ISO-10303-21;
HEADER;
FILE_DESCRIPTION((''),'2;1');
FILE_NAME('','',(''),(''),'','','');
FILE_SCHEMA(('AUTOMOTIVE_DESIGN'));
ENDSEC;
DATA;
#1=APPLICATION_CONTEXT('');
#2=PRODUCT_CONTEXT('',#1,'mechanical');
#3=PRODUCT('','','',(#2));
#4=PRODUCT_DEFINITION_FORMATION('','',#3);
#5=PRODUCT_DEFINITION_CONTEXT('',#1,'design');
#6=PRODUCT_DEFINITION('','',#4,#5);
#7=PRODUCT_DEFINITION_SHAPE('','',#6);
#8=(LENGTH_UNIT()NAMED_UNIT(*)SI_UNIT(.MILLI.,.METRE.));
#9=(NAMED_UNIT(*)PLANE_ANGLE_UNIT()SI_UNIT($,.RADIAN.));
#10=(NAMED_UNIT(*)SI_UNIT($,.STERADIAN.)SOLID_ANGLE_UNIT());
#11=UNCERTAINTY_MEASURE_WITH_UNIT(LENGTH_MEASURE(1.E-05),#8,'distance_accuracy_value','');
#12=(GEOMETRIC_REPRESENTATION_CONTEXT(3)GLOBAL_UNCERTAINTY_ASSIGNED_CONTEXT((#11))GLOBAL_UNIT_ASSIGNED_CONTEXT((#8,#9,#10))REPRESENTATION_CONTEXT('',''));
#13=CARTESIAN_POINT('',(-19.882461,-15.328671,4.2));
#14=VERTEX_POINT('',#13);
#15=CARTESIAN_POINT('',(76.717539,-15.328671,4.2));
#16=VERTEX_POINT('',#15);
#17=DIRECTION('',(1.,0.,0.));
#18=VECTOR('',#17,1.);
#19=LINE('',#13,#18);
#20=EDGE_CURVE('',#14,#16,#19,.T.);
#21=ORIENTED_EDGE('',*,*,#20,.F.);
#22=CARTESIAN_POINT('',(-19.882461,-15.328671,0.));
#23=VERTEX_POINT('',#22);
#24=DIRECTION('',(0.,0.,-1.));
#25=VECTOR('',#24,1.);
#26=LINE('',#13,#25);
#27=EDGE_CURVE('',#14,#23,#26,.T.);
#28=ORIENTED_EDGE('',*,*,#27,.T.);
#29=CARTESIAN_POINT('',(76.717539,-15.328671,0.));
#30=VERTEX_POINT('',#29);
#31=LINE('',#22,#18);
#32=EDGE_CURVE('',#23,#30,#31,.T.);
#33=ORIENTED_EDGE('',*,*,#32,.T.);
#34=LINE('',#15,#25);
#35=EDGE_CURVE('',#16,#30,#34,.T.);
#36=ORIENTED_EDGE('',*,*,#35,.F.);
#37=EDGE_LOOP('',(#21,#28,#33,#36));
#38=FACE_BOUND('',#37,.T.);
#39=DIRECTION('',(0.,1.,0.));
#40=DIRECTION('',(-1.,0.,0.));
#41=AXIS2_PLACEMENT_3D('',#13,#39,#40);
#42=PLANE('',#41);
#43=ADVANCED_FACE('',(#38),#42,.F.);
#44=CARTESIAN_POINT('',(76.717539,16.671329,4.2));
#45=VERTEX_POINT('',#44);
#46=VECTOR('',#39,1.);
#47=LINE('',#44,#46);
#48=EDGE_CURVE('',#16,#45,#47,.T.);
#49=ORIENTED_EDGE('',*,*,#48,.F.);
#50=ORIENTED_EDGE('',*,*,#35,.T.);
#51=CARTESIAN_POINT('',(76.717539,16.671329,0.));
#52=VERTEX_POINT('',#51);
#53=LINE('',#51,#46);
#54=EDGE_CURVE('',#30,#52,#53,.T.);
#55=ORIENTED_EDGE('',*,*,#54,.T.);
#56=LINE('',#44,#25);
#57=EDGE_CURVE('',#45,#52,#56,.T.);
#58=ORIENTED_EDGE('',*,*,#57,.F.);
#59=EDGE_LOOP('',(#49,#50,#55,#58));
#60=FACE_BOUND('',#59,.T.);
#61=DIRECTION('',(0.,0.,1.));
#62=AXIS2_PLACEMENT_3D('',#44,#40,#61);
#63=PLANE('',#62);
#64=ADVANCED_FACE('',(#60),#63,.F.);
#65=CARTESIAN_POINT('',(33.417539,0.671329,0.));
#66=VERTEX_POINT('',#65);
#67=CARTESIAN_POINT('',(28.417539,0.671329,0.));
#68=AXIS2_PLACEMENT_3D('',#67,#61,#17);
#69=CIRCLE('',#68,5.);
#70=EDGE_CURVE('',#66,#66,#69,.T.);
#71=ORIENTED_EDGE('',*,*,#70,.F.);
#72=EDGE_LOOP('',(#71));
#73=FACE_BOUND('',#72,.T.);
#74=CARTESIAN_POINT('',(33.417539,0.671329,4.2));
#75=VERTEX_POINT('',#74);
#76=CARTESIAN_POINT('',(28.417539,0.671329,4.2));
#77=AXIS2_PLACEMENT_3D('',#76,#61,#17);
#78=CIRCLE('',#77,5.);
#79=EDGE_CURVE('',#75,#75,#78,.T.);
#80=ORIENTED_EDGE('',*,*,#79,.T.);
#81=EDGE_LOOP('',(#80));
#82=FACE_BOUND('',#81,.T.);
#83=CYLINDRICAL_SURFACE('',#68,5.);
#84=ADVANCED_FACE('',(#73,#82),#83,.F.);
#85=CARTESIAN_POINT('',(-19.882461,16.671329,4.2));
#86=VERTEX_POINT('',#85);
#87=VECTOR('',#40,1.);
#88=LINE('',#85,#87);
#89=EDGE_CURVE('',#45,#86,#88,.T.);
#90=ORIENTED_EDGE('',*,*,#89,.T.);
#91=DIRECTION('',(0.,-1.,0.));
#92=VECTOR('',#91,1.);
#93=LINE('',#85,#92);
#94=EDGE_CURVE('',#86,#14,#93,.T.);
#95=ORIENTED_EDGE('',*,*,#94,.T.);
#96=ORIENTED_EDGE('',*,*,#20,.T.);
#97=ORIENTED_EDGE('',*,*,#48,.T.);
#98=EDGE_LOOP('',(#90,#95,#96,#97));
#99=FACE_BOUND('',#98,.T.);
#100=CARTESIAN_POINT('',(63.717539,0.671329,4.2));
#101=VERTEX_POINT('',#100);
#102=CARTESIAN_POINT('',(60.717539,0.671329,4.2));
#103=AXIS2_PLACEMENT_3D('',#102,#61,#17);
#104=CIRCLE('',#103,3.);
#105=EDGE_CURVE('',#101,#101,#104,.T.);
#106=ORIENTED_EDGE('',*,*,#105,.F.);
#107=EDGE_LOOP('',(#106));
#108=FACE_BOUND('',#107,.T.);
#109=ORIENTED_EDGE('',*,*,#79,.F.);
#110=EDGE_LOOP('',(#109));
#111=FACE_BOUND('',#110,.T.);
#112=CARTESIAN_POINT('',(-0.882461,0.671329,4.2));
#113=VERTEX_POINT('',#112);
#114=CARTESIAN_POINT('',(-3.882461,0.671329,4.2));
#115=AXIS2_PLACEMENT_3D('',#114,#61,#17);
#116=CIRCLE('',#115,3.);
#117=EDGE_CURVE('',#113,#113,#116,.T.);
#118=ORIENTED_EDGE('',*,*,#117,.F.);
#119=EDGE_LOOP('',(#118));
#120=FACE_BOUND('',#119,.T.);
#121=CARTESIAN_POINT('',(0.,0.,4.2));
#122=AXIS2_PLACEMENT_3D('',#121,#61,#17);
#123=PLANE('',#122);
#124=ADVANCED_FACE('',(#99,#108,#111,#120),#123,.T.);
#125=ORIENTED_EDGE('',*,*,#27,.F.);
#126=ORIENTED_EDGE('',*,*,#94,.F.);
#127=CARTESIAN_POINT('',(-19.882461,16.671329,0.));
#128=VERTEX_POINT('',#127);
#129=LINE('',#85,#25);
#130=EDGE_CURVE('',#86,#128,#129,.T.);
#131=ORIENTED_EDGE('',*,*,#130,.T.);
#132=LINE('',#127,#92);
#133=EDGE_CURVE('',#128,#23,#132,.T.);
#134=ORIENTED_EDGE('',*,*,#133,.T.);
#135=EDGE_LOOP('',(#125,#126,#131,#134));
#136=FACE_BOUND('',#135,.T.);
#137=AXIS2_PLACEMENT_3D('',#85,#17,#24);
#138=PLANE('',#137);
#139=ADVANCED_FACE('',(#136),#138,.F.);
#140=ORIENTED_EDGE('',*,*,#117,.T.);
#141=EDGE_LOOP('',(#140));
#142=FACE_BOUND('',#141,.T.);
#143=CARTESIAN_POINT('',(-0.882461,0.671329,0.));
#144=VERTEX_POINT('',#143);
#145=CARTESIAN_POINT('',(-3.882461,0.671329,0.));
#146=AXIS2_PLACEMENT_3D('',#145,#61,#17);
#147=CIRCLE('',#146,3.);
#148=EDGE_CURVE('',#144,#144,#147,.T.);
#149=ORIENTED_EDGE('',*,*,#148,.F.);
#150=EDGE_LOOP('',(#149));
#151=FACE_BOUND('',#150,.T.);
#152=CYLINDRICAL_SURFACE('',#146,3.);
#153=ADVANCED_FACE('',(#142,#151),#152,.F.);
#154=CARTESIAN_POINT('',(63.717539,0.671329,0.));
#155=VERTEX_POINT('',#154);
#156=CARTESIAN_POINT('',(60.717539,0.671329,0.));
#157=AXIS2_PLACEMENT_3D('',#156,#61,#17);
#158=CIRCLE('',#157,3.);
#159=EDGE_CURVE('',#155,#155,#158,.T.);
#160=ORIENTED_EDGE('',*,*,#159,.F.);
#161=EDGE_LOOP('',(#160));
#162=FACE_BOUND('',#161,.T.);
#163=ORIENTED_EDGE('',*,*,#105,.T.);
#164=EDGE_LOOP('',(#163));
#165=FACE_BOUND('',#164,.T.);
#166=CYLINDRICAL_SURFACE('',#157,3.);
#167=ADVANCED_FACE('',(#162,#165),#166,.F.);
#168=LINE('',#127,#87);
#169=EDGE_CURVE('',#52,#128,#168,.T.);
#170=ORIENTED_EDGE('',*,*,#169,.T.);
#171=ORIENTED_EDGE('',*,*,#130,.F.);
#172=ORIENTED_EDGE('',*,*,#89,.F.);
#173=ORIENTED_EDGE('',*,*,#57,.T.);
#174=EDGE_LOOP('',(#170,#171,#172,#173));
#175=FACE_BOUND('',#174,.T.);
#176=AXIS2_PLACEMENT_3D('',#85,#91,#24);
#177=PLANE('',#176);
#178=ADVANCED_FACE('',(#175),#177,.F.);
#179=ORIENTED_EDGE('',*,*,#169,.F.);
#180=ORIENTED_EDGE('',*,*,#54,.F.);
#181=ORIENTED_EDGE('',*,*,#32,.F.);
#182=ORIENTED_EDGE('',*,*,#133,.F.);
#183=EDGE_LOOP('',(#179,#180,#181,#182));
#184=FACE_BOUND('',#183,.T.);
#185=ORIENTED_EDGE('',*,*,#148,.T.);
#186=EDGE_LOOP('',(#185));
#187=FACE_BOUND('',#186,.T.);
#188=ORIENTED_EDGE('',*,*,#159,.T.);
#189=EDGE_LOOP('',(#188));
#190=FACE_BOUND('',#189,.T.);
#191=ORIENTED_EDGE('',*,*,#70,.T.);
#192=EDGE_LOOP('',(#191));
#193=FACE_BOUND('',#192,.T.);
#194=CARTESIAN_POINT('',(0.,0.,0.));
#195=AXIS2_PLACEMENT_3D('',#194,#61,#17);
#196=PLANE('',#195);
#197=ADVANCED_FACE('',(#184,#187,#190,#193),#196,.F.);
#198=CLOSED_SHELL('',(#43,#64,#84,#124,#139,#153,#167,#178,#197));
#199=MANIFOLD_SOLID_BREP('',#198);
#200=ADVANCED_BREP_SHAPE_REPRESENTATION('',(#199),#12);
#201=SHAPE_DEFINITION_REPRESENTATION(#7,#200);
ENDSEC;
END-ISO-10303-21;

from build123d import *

# Parameters (mm, degrees)
SKETCH1_W           = 96.6
SKETCH1_H           = 32
BOSS_EXTRUDE1_DEPTH = 4.2
SKETCH2_R           = 3
SKETCH2_R_2         = 5
CUT_EXTRUDE1_DEPTH  = 79.620314942


with BuildPart() as part:
    # Sketch1 → Boss-Extrude1 (new body)
    with BuildSketch(Plane.XY):
        with Locations((28.417538555, 0.671328671)):
            Rectangle(SKETCH1_W, SKETCH1_H)
    extrude(amount=BOSS_EXTRUDE1_DEPTH)

    # Sketch2 → Cut-Extrude1 (cut, through all)
    with BuildSketch(Plane.XY.offset(4.2)):
        with Locations((-3.882461445, 0.671328671)):
            Circle(SKETCH2_R)
        with Locations((60.717538555, 0.671328671)):
            Circle(SKETCH2_R)
        with Locations((28.417538555, 0.671328671)):
            Circle(SKETCH2_R_2)
    extrude(amount=-CUT_EXTRUDE1_DEPTH, mode=Mode.SUBTRACT)


solid = part.part
